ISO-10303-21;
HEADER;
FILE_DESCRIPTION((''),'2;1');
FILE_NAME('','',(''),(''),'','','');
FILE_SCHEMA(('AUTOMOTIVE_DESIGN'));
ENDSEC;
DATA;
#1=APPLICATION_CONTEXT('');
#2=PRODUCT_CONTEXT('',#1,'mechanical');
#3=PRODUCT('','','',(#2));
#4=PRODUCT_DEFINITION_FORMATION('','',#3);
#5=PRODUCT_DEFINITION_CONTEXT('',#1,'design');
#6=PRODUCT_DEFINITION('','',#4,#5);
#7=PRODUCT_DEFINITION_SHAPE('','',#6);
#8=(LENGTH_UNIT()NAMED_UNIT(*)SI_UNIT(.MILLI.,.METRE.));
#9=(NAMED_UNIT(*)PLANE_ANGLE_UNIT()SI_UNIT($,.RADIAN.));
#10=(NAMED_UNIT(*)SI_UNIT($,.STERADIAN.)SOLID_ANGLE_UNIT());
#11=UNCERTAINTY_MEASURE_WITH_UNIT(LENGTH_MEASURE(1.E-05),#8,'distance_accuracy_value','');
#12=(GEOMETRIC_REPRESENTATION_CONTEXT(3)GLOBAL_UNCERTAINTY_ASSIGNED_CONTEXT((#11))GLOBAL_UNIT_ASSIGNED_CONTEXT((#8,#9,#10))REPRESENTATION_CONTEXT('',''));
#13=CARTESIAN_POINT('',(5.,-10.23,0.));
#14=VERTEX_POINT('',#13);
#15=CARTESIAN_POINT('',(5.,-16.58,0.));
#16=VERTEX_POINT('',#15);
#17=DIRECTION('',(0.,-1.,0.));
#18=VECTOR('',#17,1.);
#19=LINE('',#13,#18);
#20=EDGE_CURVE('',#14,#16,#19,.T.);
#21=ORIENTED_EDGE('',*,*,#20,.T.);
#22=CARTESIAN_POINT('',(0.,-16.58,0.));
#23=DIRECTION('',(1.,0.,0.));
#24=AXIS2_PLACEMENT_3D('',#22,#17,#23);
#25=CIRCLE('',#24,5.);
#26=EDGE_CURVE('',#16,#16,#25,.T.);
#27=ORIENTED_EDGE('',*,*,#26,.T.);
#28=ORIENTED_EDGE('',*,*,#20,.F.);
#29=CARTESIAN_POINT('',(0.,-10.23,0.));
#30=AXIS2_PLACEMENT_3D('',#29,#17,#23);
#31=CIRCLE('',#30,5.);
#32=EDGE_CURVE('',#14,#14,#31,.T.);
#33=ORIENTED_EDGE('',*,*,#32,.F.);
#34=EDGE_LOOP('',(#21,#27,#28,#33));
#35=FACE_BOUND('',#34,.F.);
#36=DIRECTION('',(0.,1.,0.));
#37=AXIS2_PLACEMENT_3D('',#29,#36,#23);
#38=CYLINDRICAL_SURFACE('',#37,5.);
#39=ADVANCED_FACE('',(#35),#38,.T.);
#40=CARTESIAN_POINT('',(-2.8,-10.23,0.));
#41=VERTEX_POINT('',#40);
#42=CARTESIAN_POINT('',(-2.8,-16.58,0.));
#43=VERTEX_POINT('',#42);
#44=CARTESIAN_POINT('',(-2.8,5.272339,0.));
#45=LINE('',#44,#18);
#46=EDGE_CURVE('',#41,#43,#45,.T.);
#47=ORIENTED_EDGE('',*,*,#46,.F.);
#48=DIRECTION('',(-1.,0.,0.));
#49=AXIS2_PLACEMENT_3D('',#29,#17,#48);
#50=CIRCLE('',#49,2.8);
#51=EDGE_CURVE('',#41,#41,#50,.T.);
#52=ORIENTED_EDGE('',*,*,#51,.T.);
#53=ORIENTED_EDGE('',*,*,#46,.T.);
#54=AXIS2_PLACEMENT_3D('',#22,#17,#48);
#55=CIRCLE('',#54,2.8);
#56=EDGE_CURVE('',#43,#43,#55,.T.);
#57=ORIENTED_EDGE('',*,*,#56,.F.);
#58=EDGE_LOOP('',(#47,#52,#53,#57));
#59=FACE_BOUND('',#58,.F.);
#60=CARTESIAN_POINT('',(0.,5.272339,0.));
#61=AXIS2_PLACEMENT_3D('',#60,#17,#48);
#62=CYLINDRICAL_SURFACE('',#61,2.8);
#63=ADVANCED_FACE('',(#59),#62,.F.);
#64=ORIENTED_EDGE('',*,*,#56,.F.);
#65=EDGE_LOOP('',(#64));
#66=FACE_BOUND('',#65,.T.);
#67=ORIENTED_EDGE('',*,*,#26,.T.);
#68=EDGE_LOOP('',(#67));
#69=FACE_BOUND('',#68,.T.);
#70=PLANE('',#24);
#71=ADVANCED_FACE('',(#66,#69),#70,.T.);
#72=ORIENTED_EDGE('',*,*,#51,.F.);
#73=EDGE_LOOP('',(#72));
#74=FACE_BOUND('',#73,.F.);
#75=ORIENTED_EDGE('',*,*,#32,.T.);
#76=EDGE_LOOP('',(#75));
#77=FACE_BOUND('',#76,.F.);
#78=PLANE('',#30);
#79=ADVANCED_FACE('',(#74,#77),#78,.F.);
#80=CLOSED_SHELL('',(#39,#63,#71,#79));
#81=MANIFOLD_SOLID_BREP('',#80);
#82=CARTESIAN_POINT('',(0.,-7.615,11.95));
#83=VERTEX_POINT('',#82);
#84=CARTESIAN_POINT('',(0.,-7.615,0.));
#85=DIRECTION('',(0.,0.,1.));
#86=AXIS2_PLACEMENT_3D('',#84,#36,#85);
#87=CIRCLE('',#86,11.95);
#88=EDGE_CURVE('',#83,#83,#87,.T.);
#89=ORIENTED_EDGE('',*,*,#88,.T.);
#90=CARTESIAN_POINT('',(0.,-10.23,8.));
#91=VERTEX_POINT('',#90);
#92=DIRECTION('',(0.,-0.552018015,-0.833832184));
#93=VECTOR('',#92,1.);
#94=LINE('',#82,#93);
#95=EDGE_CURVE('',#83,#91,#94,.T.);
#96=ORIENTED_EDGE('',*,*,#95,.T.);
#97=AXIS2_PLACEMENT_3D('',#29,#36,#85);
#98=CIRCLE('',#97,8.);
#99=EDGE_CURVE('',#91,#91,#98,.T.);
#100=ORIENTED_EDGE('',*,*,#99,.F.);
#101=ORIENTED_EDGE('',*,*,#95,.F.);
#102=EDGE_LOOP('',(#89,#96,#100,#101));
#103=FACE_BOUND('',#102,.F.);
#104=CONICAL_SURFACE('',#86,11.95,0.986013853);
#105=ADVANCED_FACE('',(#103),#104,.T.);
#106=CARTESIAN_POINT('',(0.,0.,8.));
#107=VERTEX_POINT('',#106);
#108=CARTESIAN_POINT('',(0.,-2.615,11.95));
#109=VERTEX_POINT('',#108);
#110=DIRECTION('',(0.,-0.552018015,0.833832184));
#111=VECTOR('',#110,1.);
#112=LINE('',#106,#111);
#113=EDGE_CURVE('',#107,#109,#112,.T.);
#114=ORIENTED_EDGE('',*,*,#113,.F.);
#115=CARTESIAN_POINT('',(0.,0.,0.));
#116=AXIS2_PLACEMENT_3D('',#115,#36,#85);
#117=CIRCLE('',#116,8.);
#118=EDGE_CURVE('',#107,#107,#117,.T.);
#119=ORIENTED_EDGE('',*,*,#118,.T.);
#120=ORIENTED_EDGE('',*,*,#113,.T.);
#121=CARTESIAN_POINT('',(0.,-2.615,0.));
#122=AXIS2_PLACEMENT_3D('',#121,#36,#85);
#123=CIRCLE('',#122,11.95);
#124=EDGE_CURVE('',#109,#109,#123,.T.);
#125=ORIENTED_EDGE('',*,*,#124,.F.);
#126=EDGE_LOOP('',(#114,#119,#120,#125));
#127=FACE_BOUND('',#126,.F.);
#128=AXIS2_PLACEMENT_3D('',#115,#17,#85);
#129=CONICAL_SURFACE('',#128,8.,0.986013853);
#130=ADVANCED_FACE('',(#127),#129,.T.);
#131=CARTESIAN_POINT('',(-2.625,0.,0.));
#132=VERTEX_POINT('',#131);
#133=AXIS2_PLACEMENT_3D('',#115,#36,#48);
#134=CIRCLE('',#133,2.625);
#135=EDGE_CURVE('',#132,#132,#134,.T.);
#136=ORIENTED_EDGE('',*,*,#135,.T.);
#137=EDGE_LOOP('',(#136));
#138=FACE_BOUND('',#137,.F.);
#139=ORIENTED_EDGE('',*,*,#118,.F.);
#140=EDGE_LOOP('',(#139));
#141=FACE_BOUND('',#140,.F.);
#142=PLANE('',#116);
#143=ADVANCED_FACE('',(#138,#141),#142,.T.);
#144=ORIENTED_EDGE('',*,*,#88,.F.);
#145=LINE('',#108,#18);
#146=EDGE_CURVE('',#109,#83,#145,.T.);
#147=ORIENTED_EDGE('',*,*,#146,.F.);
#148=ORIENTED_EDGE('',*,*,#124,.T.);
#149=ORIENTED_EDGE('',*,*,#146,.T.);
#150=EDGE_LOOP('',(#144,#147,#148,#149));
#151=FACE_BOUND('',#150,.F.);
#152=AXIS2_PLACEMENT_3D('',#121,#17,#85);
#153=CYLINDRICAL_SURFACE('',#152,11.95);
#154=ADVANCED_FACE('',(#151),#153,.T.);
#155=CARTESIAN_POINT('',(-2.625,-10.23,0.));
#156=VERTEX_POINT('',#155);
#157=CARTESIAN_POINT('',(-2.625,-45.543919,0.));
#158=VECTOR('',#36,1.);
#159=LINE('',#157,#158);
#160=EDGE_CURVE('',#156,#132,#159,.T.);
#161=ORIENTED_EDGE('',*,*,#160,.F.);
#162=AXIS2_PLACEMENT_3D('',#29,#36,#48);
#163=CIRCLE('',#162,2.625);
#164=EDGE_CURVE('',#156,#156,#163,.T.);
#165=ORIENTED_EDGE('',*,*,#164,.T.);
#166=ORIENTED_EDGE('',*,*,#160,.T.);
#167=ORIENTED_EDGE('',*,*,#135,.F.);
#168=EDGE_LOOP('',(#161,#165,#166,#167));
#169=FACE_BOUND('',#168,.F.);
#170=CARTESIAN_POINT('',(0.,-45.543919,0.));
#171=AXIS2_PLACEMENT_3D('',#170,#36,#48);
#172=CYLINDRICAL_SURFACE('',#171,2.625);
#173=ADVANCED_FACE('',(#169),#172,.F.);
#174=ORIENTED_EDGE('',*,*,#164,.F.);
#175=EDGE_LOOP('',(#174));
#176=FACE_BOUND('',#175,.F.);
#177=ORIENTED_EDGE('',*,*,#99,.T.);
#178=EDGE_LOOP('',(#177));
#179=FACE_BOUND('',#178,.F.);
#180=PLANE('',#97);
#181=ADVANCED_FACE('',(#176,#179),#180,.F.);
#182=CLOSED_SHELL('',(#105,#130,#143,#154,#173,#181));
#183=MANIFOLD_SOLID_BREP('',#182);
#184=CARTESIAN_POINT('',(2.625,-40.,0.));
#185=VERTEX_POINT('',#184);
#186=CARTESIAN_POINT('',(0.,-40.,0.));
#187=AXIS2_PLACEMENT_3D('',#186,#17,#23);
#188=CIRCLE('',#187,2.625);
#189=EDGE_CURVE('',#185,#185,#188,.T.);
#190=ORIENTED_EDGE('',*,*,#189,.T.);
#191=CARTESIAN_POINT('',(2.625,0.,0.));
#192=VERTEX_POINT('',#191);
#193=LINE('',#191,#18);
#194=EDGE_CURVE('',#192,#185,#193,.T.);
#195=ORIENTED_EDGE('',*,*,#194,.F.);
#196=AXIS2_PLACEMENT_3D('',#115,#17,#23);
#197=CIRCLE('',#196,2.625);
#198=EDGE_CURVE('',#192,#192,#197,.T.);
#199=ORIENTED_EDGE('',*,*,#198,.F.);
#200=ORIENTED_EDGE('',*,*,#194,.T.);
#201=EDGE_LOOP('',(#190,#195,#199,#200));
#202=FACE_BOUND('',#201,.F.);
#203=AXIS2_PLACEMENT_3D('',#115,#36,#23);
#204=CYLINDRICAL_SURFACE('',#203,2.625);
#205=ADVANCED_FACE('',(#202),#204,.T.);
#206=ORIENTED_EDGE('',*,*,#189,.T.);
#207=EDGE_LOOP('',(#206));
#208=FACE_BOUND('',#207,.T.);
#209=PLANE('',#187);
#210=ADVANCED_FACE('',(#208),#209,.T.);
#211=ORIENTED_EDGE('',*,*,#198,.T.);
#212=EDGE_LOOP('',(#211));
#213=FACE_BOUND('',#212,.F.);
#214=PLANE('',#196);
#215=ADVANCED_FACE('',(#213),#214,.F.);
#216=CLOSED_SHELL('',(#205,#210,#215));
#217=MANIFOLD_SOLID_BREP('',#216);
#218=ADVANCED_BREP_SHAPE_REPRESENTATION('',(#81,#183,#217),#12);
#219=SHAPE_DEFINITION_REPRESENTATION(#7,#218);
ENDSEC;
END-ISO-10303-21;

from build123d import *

# Parameters (mm, degrees)
F3_D     = 5.25
F4_R     = 2.625
F5_DEPTH = 40
F6_R     = 5
F6_R_2   = 2.625
F7_DEPTH = 6.35
F8_D     = 5.6


with BuildPart() as f1:
    # F0 (on Right) → F1 (revolve)
    with BuildSketch(Plane.YZ):
        Polygon((0, 8), (-2.615, 11.95), (-7.615, 11.95), (-10.23, 8), (-10.23, 0), (0, 0), align=None)
    revolve(axis=Axis((0, -5.115, 0), (0, 1, 0)))

    # F3 (through all)
    with Locations(Plane.XZ.offset(10.23)):
        with Locations((0, 0)):
            Hole(F3_D / 2)


with BuildPart() as f5:
    # F4 (on Front) → F5 (new body)
    with BuildSketch(Plane.XZ):
        Circle(F4_R)
    extrude(amount=F5_DEPTH)


with BuildPart() as f7:
    # F6 (on face) → F7 (new body)
    with BuildSketch(Plane.XZ.offset(10.23)):
        Circle(F6_R)
        Circle(F6_R_2, mode=Mode.SUBTRACT)
    extrude(amount=F7_DEPTH)

    # F8 (through all)
    with Locations(Plane(origin=(0, -10.23, 0), x_dir=(1, 0, 0), z_dir=(0, 1, 0))):
        with Locations((0, 0)):
            Hole(F8_D / 2)


solid = Compound([f1.part, f5.part, f7.part])
